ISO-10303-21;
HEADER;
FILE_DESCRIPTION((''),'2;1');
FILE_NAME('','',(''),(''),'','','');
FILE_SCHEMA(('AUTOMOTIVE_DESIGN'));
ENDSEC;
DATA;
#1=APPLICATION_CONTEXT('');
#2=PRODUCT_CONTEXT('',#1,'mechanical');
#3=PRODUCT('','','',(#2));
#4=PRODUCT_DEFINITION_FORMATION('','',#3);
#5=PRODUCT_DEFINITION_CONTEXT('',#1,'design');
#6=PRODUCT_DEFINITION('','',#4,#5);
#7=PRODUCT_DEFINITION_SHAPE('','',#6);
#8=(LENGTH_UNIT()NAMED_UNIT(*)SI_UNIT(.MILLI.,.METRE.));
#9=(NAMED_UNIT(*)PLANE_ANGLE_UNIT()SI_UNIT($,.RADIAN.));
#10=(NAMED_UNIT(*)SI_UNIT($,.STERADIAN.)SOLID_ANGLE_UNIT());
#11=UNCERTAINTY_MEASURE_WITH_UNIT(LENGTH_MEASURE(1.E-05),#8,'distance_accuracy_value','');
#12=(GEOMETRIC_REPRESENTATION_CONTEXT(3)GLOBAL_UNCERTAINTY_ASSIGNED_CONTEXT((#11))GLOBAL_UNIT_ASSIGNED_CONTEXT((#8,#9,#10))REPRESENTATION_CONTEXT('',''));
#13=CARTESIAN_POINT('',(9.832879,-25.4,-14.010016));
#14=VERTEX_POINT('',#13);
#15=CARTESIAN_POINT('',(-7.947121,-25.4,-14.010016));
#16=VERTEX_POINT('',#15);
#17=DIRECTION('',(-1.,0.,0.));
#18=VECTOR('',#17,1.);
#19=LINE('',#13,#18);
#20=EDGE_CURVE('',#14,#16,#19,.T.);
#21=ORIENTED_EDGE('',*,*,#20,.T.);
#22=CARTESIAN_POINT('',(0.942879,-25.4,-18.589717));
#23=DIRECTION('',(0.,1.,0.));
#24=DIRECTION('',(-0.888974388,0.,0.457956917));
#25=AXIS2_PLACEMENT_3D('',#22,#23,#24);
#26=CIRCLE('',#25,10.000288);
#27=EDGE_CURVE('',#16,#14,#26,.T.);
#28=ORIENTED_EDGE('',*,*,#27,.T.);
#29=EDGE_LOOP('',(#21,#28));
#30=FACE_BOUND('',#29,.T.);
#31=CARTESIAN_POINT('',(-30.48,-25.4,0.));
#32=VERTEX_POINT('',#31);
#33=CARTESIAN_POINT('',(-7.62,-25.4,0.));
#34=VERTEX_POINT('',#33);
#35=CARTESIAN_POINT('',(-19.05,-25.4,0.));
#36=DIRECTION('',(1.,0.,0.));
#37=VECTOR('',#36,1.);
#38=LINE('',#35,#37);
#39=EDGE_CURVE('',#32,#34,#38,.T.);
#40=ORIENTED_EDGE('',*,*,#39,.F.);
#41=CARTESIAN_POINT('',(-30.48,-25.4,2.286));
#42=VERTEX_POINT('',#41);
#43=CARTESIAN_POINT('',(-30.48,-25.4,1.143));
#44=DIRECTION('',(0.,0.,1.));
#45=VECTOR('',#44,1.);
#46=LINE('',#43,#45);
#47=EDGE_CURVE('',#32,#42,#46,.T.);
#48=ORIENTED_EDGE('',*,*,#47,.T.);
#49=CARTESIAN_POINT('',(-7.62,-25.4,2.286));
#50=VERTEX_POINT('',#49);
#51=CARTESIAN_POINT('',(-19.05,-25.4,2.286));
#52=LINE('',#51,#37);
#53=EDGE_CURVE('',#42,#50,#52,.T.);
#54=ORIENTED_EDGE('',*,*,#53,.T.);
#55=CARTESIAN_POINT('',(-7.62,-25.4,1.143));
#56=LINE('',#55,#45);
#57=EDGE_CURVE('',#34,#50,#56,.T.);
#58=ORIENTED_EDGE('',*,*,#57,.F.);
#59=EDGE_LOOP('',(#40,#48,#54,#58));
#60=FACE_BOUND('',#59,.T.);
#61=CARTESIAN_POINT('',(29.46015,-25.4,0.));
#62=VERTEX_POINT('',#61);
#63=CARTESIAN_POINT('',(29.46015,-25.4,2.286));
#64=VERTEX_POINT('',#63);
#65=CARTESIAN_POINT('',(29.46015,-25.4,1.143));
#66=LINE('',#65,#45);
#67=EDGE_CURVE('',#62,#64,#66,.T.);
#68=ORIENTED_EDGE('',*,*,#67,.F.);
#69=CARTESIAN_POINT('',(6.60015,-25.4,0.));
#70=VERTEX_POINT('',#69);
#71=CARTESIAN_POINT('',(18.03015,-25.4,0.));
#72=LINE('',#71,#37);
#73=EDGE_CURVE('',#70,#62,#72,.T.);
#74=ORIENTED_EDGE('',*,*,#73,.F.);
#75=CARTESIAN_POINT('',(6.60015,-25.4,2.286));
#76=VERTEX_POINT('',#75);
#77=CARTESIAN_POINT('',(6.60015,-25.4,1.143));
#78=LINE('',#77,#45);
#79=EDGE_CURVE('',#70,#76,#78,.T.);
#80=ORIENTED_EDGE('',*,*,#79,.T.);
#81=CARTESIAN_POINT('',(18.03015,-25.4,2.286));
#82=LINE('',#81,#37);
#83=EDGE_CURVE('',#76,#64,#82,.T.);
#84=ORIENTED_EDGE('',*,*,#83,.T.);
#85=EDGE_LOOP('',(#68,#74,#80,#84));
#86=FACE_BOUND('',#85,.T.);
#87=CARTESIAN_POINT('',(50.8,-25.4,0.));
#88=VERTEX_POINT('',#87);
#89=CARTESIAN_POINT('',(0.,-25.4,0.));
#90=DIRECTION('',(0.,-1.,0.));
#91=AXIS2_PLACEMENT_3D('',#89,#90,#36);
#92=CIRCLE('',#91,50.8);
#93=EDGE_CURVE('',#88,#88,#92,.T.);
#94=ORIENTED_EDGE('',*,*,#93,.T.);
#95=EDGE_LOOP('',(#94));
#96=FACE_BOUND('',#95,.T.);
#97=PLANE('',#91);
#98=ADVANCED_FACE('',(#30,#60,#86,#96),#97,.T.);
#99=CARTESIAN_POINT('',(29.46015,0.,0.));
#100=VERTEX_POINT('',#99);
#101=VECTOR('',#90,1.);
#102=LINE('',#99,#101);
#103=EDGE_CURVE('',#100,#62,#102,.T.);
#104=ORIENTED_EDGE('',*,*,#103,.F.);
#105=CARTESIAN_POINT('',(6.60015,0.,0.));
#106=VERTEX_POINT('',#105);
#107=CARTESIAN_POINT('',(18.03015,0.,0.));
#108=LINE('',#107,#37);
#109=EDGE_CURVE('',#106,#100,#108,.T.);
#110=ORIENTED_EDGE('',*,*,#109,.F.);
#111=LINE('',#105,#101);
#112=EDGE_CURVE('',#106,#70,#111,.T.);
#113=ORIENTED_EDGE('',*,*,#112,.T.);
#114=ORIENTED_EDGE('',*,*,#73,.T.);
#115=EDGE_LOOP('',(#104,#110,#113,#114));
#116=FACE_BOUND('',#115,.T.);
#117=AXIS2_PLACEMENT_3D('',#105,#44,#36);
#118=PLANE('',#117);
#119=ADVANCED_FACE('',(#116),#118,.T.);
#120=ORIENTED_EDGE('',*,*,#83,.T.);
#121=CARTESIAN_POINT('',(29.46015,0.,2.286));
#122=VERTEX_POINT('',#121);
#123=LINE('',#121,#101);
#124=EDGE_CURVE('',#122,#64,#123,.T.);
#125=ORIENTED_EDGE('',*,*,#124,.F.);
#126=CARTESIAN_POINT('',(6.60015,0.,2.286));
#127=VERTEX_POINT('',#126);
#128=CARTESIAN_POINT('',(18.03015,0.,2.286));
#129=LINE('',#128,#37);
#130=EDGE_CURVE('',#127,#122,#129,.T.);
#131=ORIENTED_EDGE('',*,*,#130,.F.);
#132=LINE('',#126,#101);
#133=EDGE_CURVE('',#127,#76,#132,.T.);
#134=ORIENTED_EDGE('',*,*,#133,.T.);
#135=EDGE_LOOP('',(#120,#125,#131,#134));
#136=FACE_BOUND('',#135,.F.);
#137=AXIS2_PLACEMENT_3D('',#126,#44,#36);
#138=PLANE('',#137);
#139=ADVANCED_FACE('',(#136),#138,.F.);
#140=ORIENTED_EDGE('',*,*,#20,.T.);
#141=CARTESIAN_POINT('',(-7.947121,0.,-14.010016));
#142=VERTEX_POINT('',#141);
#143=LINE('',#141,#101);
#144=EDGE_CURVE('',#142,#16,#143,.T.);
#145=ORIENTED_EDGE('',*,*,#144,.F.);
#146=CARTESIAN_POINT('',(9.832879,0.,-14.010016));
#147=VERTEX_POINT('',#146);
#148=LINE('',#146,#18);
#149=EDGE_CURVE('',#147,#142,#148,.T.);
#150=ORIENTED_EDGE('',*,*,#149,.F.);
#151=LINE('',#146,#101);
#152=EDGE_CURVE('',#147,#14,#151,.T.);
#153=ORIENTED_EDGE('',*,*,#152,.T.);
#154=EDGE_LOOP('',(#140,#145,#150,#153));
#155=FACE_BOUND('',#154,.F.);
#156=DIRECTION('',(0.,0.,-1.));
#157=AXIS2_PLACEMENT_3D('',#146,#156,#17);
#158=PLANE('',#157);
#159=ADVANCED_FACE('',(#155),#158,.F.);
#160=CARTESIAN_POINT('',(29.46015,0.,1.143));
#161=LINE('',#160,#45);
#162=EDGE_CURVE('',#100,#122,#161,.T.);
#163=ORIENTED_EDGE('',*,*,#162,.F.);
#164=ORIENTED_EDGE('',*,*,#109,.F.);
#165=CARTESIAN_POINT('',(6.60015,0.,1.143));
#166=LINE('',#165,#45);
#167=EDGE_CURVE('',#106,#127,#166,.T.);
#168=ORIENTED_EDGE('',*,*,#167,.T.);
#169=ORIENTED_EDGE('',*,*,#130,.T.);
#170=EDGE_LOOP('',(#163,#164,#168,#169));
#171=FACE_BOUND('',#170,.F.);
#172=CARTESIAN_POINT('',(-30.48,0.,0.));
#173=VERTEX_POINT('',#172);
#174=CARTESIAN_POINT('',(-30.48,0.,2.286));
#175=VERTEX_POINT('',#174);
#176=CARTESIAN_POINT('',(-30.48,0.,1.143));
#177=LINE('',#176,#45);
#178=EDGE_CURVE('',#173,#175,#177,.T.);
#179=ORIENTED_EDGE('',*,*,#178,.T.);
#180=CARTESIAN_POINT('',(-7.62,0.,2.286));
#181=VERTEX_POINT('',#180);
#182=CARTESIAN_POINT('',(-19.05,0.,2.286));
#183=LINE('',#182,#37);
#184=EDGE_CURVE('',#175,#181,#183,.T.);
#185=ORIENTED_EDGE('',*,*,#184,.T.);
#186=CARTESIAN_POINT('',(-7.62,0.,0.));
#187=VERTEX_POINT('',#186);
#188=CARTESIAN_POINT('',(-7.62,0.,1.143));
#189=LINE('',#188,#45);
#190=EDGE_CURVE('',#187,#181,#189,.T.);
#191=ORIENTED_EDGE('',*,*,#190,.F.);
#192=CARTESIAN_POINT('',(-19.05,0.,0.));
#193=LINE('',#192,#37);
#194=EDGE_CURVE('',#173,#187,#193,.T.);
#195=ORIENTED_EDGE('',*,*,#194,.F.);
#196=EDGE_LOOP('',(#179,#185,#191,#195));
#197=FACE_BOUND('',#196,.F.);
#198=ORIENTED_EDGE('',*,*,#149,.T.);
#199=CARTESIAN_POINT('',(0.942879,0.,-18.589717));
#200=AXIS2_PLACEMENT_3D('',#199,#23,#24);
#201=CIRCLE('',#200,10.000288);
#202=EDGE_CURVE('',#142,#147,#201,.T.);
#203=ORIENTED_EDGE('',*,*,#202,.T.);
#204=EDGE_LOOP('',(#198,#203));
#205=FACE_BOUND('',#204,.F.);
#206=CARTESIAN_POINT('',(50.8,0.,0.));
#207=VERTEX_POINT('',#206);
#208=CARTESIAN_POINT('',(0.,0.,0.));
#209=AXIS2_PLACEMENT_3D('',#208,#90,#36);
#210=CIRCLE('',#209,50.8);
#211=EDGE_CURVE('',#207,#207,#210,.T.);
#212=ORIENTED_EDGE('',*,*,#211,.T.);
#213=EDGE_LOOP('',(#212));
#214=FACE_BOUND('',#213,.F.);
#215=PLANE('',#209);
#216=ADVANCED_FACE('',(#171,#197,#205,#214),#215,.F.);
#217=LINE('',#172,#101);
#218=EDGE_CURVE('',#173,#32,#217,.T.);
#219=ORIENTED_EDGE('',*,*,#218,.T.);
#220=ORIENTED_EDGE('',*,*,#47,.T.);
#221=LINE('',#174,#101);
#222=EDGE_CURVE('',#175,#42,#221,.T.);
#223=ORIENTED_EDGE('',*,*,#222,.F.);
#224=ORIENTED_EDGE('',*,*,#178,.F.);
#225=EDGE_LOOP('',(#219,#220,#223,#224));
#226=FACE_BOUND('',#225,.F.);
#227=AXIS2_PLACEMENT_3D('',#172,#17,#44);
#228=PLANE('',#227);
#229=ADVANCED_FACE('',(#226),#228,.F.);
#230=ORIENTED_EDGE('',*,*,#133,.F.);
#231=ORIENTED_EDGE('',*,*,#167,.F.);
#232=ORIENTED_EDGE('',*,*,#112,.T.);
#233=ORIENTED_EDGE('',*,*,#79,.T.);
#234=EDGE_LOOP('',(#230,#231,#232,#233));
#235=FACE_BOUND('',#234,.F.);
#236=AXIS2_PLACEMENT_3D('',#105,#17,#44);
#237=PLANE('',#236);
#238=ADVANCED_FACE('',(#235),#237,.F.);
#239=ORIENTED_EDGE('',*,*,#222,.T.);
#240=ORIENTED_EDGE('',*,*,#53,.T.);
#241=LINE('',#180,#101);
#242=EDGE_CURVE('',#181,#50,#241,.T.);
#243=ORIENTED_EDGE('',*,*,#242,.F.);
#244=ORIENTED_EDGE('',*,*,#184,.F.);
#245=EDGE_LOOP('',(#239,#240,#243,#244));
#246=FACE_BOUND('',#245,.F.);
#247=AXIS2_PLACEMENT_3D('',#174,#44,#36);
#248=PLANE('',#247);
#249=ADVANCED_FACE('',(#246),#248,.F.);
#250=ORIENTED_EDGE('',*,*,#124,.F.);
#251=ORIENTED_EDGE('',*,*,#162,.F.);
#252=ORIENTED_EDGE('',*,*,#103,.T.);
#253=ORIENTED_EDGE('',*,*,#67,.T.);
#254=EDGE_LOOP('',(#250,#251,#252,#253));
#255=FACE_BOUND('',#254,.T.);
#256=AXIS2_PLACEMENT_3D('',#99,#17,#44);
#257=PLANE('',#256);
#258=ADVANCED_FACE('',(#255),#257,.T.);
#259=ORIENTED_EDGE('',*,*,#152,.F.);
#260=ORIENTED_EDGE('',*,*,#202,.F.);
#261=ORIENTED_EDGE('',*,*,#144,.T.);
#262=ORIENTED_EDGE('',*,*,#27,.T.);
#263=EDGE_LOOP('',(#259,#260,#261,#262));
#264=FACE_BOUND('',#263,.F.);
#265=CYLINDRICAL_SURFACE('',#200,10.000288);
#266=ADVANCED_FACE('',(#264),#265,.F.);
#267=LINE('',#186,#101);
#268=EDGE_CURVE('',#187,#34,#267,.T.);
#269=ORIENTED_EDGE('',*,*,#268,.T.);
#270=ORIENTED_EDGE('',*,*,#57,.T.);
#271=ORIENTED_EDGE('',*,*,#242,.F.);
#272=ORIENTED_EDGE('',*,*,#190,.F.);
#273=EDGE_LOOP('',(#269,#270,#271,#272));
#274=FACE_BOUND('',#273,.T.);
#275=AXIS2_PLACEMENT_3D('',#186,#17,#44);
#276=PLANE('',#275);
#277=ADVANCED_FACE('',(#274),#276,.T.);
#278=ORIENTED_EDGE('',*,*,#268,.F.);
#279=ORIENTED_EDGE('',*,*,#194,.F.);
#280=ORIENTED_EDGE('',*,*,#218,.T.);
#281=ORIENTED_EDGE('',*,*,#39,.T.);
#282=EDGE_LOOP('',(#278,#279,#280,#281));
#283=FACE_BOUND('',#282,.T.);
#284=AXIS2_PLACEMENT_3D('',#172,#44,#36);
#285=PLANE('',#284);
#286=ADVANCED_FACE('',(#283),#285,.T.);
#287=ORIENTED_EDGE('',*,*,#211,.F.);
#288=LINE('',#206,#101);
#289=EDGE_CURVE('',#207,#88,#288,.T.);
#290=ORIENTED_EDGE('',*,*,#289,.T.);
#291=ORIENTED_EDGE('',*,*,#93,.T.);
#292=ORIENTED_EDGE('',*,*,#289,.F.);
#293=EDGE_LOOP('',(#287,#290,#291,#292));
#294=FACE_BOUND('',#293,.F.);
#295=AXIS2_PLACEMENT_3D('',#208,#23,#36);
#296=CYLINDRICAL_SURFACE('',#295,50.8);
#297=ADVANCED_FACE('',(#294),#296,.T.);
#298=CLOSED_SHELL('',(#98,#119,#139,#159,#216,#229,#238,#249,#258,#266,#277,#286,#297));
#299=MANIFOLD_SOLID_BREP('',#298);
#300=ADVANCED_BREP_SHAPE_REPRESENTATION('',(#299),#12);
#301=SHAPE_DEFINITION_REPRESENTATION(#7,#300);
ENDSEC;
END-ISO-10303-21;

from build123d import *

# Parameters (mm, degrees)
F0_R     = 50.8
F0_W     = 22.86
F0_H     = 2.286
F1_DEPTH = 25.4


with BuildPart() as f1:
    # F0 (on Front) → F1 (new body)
    with BuildSketch(Plane.XZ):
        Circle(F0_R)
        with BuildLine():
            Line((9.832879, -14.010016), (-7.947121, -14.010016))
            ThreePointArc((-7.947121, -14.010016), (0.942879, -8.589429), (9.832879, -14.010016))
        make_face(mode=Mode.SUBTRACT)
        with Locations((-19.05, 1.143)):
            Rectangle(F0_W, F0_H, mode=Mode.SUBTRACT)
        with Locations((18.03015, 1.143)):
            Rectangle(F0_W, F0_H, mode=Mode.SUBTRACT)
    extrude(amount=F1_DEPTH)


solid = f1.part
